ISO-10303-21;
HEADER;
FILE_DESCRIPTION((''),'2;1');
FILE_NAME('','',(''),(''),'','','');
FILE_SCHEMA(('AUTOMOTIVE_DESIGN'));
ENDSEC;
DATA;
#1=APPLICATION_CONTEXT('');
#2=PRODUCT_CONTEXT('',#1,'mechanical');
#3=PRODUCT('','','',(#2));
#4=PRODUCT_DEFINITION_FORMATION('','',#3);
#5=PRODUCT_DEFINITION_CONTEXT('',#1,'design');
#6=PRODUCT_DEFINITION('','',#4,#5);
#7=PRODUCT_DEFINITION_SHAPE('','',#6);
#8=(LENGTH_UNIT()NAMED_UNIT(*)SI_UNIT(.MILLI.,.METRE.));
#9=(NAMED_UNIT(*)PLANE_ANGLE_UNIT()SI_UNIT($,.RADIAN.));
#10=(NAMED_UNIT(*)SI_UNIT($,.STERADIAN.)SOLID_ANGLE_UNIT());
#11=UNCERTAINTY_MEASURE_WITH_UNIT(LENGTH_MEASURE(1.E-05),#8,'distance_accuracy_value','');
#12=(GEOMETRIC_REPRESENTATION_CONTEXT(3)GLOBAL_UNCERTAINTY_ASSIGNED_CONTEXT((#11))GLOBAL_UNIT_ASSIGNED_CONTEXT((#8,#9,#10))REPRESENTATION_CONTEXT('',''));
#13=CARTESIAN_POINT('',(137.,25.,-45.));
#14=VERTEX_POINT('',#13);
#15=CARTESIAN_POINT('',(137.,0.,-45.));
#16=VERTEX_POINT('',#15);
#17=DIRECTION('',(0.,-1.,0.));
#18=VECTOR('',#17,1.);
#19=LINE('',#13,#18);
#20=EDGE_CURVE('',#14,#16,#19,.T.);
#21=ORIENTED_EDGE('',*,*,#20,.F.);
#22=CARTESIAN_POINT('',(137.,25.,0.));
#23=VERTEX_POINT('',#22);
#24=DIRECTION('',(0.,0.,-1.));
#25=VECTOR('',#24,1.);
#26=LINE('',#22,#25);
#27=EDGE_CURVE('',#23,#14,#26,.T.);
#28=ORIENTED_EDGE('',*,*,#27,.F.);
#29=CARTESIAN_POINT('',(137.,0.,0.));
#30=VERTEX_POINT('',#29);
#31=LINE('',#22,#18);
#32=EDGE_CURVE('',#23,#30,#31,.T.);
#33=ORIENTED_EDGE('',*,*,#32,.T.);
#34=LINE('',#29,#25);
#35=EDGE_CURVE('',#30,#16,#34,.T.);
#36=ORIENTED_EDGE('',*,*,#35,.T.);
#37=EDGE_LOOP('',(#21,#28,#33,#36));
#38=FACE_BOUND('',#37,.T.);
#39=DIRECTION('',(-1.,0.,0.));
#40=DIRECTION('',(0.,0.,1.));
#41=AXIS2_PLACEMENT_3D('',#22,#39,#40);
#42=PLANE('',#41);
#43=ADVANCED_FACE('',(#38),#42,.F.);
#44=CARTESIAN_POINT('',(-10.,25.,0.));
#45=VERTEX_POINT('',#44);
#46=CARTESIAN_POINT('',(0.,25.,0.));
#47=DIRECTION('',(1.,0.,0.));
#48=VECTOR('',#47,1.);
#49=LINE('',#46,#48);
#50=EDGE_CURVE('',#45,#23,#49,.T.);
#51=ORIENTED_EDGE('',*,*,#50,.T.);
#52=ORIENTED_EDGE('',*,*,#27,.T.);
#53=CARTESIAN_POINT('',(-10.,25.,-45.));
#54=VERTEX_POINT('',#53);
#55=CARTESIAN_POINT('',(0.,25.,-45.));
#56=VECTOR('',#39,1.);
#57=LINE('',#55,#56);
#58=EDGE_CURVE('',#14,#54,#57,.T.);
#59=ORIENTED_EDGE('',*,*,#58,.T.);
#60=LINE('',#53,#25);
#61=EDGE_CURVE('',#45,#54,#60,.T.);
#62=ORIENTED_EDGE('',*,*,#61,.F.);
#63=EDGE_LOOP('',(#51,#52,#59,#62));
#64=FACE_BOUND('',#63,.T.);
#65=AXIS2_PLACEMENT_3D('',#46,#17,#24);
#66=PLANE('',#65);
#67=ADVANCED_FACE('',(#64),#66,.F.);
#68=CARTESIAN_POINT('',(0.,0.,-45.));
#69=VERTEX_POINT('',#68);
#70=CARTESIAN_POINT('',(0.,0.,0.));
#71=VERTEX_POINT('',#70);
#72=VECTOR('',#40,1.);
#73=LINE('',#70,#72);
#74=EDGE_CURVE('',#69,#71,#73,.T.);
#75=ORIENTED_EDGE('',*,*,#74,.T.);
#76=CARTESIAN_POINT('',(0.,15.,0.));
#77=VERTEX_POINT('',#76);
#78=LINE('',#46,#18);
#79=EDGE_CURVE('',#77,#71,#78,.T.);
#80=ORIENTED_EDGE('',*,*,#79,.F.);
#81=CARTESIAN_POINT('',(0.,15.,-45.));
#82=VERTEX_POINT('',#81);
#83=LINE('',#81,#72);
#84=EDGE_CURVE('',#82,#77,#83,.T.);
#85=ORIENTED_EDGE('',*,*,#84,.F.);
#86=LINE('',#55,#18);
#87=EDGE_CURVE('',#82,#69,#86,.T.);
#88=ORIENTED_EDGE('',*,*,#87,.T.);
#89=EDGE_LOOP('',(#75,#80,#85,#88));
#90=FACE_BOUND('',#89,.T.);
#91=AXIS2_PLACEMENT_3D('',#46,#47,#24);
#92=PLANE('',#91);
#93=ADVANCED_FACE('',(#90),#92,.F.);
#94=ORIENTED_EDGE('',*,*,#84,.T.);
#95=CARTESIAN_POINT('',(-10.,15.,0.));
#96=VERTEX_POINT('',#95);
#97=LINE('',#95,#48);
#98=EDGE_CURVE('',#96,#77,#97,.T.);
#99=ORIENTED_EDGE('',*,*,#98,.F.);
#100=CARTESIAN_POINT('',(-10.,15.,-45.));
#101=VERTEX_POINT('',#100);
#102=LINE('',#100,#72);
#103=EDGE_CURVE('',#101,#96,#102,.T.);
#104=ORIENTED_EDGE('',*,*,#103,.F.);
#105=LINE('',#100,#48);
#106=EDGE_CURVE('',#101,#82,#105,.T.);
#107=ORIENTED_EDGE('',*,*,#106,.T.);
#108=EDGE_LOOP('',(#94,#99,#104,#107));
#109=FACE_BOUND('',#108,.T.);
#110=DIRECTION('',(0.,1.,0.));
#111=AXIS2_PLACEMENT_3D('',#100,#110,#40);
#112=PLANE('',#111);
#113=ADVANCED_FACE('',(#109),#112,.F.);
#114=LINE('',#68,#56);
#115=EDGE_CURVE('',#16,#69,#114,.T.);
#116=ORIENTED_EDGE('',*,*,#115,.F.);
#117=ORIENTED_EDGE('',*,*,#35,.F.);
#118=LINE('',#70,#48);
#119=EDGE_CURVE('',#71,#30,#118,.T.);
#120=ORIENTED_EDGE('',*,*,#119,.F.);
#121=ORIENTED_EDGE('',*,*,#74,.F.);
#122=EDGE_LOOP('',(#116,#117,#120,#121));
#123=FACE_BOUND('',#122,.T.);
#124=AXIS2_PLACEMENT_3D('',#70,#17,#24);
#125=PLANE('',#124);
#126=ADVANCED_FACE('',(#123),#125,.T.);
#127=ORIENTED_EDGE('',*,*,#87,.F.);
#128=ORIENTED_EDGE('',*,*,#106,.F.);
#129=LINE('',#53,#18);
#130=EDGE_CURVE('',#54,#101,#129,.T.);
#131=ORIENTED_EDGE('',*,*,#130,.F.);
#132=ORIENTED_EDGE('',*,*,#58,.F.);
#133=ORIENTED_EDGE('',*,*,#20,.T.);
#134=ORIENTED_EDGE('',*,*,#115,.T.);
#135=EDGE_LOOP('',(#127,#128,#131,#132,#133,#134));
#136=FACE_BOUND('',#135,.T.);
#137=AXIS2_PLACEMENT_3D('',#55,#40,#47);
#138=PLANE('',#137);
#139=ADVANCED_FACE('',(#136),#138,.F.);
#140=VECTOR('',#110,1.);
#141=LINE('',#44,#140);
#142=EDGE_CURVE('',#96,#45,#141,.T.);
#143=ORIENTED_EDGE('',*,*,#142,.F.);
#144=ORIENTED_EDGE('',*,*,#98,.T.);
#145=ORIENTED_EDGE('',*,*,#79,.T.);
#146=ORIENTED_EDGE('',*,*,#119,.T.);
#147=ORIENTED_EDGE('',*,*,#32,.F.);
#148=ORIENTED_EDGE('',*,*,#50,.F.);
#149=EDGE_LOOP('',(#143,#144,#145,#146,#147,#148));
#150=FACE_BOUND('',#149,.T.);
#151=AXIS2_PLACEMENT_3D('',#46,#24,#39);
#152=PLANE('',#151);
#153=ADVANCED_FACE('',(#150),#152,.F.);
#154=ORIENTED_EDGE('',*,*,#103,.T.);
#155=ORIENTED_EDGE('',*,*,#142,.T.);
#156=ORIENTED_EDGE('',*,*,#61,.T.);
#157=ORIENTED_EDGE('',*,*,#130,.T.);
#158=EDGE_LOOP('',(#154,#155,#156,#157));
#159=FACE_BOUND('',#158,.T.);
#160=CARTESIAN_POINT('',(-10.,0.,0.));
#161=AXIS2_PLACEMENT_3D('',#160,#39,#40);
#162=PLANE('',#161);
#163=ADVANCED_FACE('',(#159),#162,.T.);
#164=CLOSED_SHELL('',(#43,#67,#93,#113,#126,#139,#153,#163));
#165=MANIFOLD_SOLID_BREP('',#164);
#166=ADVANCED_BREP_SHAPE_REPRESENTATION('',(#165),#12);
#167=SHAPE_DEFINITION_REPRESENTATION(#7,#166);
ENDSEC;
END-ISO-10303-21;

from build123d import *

# Parameters (mm, degrees)
SKETCH1_W           = 137
SKETCH1_H           = 45
BOSS_EXTRUDE1_DEPTH = 25
SKETCH2_W           = 45
SKETCH2_H           = 10
BOSS_EXTRUDE2_DEPTH = 10


with BuildPart() as part:
    # Sketch1 → Boss-Extrude1 (new body)
    with BuildSketch(Plane(origin=(0, 0, 0), x_dir=(1, 0, 0), z_dir=(0, 1, 0))):
        with Locations((68.5, 22.5)):
            Rectangle(SKETCH1_W, SKETCH1_H)
    extrude(amount=BOSS_EXTRUDE1_DEPTH)

    # Sketch2 → Boss-Extrude2 (add)
    with BuildSketch(Plane.ZY):
        with Locations((-22.5, 20)):
            Rectangle(SKETCH2_W, SKETCH2_H)
    extrude(amount=BOSS_EXTRUDE2_DEPTH)


solid = part.part
